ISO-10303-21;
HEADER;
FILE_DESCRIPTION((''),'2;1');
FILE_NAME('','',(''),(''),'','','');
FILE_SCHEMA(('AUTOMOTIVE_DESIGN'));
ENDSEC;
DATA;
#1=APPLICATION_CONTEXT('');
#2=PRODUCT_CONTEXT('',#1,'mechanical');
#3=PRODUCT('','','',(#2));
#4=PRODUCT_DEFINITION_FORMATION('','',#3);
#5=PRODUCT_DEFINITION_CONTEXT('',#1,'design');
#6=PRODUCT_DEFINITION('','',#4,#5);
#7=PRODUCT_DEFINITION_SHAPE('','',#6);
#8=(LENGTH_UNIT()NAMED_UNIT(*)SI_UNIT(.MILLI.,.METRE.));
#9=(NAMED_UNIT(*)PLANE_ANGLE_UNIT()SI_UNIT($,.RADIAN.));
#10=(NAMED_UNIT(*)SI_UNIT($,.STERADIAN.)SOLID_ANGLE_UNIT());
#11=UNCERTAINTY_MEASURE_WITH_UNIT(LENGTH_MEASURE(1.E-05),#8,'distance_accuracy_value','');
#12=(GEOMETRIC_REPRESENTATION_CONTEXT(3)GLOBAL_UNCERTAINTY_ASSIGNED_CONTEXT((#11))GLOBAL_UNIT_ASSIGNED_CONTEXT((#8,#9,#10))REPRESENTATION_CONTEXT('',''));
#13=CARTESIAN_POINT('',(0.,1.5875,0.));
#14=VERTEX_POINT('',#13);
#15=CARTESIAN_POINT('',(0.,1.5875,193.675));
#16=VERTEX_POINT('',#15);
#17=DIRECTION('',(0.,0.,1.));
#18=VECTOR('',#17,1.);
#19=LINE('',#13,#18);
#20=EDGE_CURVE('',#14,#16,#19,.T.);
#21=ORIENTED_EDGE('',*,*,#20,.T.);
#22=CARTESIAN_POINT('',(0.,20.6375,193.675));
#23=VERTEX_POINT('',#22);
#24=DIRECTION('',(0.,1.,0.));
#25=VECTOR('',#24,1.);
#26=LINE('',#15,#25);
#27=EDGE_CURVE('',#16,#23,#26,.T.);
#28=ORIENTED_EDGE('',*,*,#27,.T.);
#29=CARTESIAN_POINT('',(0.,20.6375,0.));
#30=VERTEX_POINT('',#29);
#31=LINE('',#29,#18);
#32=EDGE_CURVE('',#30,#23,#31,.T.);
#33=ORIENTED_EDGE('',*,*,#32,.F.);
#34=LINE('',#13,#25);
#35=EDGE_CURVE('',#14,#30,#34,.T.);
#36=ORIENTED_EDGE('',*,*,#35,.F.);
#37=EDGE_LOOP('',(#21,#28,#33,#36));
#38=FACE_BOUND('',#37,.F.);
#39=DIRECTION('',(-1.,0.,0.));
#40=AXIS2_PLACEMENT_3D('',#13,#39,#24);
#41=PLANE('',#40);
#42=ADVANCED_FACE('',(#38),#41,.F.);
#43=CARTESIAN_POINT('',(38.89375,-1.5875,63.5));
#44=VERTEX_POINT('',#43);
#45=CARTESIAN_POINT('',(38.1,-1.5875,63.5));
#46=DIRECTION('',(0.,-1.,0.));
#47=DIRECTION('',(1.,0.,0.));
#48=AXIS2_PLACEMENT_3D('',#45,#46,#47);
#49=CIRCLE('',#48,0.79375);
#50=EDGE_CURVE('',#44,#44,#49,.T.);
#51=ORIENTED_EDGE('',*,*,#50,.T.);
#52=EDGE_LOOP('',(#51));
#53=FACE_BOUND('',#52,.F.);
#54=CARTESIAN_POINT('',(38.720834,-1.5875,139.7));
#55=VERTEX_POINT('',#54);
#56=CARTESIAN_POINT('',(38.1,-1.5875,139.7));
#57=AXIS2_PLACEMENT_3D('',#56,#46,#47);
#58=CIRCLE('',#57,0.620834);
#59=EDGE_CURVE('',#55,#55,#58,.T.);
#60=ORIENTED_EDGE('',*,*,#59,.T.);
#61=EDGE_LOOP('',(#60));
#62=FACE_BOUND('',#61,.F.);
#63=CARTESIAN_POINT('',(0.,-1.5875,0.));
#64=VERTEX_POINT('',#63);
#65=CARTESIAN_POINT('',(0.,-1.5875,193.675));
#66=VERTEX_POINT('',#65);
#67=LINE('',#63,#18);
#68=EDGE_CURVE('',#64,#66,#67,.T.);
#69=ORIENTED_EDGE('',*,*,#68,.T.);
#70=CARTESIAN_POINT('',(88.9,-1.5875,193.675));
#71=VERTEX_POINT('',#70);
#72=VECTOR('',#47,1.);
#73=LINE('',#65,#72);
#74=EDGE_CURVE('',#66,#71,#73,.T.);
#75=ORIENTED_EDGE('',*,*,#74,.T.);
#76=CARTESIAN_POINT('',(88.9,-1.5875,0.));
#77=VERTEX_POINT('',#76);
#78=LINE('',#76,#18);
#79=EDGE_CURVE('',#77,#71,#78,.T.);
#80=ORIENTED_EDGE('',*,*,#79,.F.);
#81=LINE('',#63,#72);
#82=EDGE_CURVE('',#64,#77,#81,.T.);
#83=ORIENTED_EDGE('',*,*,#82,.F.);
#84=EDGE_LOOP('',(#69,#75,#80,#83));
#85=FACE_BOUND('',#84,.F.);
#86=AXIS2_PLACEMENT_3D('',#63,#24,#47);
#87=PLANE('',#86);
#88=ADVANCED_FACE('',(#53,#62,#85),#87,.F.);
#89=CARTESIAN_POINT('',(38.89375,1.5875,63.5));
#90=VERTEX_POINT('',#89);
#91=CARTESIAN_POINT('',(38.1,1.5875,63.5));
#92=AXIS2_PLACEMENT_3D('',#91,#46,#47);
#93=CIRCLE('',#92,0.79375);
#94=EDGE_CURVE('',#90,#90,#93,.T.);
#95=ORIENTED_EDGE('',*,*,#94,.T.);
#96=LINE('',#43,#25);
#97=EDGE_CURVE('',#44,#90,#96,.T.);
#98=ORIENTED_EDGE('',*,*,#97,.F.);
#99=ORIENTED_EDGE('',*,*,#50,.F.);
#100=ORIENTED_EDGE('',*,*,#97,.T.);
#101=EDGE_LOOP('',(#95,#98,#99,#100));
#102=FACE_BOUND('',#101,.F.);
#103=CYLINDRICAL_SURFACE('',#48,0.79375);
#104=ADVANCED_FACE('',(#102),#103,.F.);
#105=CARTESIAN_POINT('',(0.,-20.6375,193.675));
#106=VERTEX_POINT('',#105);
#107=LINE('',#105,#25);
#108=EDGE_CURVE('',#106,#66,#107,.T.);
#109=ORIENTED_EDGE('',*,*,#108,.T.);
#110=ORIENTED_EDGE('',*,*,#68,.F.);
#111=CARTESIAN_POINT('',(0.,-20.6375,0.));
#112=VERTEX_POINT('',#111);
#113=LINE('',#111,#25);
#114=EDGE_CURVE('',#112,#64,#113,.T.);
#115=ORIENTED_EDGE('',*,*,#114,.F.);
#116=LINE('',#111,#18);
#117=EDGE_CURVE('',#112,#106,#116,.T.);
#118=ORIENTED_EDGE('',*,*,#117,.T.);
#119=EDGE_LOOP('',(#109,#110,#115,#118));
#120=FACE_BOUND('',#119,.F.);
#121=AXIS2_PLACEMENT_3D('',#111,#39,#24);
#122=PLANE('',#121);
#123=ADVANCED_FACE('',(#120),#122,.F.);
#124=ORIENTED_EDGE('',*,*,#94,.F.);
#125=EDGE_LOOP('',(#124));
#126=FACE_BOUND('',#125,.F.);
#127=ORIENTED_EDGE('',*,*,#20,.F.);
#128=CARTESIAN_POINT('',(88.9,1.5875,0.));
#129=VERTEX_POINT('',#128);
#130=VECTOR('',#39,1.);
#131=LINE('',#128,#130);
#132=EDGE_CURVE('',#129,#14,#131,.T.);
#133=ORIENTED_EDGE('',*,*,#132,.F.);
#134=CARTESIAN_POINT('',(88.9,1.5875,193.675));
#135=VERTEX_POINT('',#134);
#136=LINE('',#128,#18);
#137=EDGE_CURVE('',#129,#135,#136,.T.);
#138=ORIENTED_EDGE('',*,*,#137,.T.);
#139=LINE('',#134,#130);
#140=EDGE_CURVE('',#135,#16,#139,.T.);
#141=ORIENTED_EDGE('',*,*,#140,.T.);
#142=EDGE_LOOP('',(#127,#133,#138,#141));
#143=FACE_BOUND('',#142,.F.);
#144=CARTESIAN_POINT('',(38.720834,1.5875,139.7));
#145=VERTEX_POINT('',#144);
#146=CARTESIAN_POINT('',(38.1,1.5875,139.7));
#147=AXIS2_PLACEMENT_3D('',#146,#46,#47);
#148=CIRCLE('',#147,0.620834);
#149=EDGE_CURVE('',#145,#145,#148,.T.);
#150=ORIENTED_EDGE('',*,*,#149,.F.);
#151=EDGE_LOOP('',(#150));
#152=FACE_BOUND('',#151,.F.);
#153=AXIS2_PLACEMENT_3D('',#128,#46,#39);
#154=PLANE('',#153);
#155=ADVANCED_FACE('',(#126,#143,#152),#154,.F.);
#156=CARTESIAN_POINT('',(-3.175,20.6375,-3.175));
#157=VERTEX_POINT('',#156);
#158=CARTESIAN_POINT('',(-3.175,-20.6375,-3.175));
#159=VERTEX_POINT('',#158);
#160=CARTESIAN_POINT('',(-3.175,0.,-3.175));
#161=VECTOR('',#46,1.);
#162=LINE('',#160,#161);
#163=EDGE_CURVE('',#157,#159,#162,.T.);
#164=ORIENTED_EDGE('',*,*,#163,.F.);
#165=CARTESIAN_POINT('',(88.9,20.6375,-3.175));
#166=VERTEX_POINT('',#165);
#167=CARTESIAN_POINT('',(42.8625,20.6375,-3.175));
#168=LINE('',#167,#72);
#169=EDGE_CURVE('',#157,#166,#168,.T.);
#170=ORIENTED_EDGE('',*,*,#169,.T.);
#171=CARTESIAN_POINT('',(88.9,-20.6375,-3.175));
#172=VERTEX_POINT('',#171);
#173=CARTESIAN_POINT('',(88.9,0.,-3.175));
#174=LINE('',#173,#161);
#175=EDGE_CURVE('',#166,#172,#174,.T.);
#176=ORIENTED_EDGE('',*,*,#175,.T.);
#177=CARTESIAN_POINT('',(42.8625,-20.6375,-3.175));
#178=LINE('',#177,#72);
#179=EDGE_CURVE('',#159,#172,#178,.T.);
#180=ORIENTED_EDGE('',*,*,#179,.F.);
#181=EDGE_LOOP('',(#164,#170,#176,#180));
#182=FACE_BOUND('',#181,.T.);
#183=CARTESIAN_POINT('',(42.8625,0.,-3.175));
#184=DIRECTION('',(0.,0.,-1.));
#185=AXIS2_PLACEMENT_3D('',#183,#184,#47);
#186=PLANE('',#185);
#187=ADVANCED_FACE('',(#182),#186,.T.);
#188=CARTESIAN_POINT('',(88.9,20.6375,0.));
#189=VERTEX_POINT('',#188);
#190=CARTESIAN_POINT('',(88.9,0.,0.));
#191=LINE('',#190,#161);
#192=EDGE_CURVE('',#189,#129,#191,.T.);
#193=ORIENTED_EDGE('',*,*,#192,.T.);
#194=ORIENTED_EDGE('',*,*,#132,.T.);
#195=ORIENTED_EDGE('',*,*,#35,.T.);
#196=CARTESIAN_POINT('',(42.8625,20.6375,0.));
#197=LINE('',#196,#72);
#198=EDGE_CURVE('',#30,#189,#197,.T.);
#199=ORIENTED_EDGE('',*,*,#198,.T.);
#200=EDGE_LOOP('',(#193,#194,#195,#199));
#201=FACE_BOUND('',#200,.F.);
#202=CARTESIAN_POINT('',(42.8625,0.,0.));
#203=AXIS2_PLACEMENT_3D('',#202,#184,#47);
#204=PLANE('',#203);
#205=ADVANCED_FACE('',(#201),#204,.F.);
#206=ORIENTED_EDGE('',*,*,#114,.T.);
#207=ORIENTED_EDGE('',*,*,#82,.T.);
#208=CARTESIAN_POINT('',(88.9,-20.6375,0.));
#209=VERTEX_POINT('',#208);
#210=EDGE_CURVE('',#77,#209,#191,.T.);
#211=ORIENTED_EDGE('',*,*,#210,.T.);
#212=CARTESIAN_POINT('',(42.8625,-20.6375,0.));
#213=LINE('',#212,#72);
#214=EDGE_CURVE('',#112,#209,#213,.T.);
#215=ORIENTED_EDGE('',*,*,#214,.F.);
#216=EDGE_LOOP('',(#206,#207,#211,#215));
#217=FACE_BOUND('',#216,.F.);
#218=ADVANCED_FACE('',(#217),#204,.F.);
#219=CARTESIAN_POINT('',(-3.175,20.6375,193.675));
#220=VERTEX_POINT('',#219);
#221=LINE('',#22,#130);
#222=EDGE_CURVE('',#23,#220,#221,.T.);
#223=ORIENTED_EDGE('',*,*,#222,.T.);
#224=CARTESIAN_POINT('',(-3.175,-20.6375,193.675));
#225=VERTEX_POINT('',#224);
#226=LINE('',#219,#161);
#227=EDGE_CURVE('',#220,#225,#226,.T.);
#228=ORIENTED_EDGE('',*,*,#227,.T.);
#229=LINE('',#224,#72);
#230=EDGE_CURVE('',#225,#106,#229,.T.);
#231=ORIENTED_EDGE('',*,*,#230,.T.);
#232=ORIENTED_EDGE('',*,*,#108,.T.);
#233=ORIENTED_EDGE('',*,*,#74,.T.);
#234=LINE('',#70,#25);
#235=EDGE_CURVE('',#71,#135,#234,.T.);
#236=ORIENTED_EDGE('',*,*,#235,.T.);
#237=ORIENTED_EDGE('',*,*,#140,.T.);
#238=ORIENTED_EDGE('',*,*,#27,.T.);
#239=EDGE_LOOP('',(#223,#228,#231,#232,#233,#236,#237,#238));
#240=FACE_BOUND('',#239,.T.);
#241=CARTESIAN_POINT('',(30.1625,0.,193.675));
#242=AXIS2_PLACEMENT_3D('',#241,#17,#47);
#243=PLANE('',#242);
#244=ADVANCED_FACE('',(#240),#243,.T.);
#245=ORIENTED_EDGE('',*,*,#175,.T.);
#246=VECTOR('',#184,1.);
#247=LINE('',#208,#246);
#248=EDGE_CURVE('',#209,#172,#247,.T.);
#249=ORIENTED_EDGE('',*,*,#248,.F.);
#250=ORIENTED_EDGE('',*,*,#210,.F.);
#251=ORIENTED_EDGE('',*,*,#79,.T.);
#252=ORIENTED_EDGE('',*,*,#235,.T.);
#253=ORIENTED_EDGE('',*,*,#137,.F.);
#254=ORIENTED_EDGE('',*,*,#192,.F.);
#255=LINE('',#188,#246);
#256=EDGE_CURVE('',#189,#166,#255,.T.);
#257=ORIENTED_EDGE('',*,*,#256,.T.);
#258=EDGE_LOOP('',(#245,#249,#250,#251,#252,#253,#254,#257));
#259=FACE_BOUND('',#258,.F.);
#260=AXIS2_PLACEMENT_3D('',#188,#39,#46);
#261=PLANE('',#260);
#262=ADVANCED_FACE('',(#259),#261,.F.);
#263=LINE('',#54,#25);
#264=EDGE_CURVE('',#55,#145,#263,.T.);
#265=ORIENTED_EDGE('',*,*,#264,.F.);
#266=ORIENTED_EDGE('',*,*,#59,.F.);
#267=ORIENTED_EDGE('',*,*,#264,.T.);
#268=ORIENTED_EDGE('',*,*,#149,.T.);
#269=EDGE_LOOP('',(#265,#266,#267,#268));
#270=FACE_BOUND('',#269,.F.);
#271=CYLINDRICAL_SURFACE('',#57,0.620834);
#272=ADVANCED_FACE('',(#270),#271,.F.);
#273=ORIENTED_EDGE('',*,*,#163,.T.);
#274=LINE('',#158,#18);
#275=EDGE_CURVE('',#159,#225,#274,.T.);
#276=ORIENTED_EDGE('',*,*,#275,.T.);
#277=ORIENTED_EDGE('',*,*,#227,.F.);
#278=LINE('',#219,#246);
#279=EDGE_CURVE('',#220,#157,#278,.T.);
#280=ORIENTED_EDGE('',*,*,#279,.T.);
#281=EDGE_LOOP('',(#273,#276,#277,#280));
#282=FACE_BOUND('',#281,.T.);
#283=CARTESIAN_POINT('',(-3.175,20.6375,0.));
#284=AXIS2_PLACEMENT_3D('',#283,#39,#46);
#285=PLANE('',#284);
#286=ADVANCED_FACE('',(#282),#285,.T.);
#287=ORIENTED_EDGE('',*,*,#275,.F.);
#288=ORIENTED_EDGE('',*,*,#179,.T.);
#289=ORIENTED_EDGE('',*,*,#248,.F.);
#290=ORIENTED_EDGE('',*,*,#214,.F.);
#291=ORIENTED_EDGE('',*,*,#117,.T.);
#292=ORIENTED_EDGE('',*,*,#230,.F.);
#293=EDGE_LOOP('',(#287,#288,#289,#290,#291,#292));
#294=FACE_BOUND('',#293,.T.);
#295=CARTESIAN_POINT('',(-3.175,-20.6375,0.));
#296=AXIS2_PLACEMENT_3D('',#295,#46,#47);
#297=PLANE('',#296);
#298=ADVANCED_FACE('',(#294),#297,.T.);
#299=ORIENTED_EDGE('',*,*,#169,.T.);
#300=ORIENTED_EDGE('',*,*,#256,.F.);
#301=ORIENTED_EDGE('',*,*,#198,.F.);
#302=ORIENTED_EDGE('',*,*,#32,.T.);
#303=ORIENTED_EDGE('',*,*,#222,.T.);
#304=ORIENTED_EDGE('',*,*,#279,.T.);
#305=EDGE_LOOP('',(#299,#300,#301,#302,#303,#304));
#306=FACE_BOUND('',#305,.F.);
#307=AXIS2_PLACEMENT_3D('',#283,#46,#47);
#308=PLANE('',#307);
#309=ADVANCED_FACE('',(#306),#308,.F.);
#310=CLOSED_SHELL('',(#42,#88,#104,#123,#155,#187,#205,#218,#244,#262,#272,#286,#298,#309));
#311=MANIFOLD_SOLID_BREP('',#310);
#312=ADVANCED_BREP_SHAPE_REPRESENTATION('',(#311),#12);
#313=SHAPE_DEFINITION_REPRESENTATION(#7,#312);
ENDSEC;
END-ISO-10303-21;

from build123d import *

# Parameters (mm, degrees)
F1_DEPTH = 193.675
F2_W     = 92.075
F2_H     = 41.275
F3_DEPTH = 3.175
F4_R     = 0.79375
F4_R_2   = 0.620834
F5_DEPTH = 3.175


with BuildPart() as f1:
    # F0 (on Top) → F1 (new body)
    with BuildSketch(Plane.XY):
        Polygon((0, 1.5875), (0, 20.6375), (-3.175, 20.6375), (-3.175, -20.6375), (0, -20.6375), (0, -1.5875), (88.9, -1.5875), (88.9, 1.5875), align=None)
    extrude(amount=F1_DEPTH)

    # F2 (on face) → F3 (join)
    with BuildSketch(Plane(origin=(0, 0, 0), x_dir=(1, 0, 0), z_dir=(0, 0, -1))):
        with Locations((42.8625, 0)):
            Rectangle(F2_W, F2_H)
    extrude(amount=F3_DEPTH)

    # F4 (on face) → F5 (cut, through all)
    with BuildSketch(Plane.XZ.offset(1.5875)):
        with Locations((38.1, 63.5)):
            Circle(F4_R)
        with Locations((38.1, 139.7)):
            Circle(F4_R_2)
    extrude(amount=-F5_DEPTH, mode=Mode.SUBTRACT)


solid = f1.part
